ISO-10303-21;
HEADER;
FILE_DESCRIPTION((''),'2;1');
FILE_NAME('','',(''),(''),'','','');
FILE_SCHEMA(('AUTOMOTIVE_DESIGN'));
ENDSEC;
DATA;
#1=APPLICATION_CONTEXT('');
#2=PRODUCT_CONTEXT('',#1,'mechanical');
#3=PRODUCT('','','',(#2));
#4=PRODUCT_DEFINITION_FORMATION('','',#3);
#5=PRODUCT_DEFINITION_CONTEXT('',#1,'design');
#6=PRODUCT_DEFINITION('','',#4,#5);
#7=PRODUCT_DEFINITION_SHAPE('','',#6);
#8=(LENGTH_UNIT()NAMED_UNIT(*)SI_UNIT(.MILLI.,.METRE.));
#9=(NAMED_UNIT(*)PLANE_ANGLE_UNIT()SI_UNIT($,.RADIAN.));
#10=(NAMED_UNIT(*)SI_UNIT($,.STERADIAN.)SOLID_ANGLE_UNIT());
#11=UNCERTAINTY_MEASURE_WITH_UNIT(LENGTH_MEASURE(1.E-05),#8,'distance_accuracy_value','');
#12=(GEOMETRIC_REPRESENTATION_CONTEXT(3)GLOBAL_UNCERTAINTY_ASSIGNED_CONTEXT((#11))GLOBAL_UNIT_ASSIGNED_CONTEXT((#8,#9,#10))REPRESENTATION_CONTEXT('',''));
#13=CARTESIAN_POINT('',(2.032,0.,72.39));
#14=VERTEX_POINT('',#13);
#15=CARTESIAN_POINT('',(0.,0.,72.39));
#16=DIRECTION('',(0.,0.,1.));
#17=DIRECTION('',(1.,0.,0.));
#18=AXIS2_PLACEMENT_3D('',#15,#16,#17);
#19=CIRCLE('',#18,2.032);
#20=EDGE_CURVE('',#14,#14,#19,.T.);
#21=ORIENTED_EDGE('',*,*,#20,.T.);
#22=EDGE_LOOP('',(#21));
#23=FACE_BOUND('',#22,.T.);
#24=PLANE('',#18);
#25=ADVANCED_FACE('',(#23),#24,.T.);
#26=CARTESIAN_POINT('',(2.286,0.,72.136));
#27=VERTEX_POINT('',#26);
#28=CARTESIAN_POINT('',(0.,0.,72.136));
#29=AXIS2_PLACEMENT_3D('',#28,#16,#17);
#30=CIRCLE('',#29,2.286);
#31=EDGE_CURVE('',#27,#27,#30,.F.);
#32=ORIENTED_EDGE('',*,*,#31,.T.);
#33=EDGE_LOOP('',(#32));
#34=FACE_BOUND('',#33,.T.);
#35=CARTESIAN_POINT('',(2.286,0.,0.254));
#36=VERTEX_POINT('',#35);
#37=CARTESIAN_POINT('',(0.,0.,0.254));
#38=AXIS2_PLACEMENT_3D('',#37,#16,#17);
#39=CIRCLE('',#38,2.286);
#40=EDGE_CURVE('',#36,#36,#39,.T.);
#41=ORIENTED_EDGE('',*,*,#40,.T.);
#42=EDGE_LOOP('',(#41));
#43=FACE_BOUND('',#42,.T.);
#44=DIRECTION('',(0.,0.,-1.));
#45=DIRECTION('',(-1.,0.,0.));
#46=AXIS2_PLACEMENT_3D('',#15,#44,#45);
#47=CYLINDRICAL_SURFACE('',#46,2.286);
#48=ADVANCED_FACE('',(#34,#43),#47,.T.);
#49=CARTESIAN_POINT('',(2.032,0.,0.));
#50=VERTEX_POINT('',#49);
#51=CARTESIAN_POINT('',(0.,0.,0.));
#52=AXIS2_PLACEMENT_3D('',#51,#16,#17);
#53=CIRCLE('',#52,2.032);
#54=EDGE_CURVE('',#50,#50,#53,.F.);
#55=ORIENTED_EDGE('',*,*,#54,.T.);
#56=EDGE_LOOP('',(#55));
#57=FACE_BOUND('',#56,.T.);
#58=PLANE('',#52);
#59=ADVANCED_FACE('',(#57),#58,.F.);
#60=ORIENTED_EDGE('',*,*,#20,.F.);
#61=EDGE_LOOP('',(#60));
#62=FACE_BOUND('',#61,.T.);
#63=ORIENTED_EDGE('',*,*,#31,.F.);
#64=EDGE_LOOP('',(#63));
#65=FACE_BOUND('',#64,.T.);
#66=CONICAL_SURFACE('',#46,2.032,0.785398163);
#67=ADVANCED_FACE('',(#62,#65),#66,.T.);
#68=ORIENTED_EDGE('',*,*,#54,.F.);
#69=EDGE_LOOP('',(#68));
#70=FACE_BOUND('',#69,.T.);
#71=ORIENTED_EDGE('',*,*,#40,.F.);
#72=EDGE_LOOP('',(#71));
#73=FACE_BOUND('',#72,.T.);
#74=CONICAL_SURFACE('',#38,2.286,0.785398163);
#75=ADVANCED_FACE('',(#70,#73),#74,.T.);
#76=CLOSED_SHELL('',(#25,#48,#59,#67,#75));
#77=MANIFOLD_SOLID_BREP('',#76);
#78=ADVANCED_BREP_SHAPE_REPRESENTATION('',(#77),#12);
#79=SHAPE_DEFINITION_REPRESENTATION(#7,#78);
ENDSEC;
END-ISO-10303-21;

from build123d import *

# Parameters (mm, degrees)
SKETCH1_R           = 2.286
BOSS_EXTRUDE1_DEPTH = 72.39
CHAMFER1_SIZE       = 0.254


with BuildPart() as part:
    # Sketch1 → Boss-Extrude1 (new body)
    with BuildSketch(Plane.XY):
        Circle(SKETCH1_R)
    extrude(amount=BOSS_EXTRUDE1_DEPTH)

    # Chamfer1
    chamfer1_edges = [part.edges().sort_by_distance(p)[0] for p in [
        (-2.286, 0, 0),
        (-2.286, 0, 72.39),
    ]]
    chamfer(chamfer1_edges, length=CHAMFER1_SIZE)


solid = part.part
